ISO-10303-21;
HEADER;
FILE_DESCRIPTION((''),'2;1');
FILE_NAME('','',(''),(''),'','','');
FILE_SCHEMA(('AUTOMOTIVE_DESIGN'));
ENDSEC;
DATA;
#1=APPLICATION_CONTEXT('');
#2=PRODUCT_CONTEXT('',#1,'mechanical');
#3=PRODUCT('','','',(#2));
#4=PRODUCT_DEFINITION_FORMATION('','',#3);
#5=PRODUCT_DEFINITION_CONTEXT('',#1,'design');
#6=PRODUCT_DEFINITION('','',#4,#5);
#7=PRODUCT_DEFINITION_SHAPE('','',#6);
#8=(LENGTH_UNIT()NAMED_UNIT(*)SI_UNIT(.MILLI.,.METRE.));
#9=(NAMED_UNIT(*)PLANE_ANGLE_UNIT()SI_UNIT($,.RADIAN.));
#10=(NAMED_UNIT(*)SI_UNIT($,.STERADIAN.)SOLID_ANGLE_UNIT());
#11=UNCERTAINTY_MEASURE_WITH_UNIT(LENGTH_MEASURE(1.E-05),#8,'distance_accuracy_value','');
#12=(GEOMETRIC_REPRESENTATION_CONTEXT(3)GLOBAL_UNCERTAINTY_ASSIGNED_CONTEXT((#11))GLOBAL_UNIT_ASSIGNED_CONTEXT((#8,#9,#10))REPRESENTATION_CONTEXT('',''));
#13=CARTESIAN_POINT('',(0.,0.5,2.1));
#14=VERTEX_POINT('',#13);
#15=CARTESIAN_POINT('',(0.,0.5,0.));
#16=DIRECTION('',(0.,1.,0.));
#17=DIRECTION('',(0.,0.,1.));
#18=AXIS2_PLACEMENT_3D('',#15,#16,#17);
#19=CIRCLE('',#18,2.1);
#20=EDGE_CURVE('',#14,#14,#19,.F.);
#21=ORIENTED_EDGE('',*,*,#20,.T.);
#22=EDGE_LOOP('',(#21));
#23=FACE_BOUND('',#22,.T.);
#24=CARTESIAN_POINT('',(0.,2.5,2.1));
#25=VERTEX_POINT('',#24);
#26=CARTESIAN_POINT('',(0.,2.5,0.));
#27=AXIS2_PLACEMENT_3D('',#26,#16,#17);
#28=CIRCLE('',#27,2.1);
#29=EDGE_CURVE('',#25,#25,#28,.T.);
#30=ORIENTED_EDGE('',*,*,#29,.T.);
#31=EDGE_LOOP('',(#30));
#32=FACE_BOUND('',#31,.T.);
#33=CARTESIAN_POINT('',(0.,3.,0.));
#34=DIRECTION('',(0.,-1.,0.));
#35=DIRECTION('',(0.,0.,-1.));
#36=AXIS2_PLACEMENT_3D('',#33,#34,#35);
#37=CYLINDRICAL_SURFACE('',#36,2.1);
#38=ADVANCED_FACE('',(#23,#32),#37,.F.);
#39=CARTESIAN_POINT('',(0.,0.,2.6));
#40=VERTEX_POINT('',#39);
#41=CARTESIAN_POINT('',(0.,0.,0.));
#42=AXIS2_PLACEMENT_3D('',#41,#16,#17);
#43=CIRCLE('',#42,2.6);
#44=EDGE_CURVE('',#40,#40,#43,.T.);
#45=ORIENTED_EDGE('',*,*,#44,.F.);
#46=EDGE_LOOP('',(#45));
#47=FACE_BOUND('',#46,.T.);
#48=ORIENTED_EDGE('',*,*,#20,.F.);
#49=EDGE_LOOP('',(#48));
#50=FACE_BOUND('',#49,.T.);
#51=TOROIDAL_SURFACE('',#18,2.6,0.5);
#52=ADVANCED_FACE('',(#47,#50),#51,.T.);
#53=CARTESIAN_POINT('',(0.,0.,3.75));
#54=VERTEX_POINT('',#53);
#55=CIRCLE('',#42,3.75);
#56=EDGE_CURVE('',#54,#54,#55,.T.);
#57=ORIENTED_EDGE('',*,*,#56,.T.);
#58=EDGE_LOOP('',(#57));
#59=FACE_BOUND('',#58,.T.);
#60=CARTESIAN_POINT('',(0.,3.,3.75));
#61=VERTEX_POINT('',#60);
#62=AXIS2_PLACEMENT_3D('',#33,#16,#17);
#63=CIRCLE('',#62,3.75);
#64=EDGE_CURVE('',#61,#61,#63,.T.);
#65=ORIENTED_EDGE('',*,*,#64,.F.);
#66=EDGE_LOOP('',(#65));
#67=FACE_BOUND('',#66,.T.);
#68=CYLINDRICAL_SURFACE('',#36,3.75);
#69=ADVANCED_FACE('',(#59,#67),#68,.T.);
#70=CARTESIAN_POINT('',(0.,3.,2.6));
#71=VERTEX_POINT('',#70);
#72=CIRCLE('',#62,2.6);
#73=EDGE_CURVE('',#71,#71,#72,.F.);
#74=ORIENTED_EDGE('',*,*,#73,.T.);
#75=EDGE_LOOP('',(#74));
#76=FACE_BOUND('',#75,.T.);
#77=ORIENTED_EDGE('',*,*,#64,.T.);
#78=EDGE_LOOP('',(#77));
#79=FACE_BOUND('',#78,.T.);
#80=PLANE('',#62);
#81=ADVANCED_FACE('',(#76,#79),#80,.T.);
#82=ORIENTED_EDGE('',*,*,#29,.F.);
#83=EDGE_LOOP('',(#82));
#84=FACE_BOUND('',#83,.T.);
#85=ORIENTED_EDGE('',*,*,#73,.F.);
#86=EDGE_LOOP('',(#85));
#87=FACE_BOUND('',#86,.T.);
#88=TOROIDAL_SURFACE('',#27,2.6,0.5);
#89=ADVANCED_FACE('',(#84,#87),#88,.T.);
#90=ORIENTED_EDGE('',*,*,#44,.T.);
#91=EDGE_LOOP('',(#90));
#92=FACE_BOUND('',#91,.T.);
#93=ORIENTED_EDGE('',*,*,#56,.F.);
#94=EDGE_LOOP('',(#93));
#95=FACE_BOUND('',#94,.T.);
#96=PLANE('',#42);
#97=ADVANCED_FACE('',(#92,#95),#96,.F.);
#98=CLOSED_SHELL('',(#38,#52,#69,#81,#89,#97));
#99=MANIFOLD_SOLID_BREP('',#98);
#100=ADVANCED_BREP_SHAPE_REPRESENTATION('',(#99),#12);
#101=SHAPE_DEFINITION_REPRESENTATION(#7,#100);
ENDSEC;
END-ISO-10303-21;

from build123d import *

# Parameters (mm, degrees)
SKETCH1_R           = 3.75
SKETCH1_R_2         = 2.1
BOSS_EXTRUDE1_DEPTH = 3
FILLET1_R           = 0.5


with BuildPart() as part:
    # Sketch1 → Boss-Extrude1 (new body)
    with BuildSketch(Plane(origin=(0, 0, 0), x_dir=(1, 0, 0), z_dir=(0, 1, 0))):
        with Locations(Location((0, 0, 0), (0, 0, 270))):
            Circle(SKETCH1_R)
        with Locations(Location((0, 0, 0), (0, 0, 270))):
            Circle(SKETCH1_R_2, mode=Mode.SUBTRACT)
    extrude(amount=BOSS_EXTRUDE1_DEPTH)

    # Fillet1
    fillet1_edges = [part.edges().sort_by_distance(p)[0] for p in [
        (0, 0, -2.1),
        (0, 3, -2.1),
    ]]
    fillet(fillet1_edges, radius=FILLET1_R)


solid = part.part
